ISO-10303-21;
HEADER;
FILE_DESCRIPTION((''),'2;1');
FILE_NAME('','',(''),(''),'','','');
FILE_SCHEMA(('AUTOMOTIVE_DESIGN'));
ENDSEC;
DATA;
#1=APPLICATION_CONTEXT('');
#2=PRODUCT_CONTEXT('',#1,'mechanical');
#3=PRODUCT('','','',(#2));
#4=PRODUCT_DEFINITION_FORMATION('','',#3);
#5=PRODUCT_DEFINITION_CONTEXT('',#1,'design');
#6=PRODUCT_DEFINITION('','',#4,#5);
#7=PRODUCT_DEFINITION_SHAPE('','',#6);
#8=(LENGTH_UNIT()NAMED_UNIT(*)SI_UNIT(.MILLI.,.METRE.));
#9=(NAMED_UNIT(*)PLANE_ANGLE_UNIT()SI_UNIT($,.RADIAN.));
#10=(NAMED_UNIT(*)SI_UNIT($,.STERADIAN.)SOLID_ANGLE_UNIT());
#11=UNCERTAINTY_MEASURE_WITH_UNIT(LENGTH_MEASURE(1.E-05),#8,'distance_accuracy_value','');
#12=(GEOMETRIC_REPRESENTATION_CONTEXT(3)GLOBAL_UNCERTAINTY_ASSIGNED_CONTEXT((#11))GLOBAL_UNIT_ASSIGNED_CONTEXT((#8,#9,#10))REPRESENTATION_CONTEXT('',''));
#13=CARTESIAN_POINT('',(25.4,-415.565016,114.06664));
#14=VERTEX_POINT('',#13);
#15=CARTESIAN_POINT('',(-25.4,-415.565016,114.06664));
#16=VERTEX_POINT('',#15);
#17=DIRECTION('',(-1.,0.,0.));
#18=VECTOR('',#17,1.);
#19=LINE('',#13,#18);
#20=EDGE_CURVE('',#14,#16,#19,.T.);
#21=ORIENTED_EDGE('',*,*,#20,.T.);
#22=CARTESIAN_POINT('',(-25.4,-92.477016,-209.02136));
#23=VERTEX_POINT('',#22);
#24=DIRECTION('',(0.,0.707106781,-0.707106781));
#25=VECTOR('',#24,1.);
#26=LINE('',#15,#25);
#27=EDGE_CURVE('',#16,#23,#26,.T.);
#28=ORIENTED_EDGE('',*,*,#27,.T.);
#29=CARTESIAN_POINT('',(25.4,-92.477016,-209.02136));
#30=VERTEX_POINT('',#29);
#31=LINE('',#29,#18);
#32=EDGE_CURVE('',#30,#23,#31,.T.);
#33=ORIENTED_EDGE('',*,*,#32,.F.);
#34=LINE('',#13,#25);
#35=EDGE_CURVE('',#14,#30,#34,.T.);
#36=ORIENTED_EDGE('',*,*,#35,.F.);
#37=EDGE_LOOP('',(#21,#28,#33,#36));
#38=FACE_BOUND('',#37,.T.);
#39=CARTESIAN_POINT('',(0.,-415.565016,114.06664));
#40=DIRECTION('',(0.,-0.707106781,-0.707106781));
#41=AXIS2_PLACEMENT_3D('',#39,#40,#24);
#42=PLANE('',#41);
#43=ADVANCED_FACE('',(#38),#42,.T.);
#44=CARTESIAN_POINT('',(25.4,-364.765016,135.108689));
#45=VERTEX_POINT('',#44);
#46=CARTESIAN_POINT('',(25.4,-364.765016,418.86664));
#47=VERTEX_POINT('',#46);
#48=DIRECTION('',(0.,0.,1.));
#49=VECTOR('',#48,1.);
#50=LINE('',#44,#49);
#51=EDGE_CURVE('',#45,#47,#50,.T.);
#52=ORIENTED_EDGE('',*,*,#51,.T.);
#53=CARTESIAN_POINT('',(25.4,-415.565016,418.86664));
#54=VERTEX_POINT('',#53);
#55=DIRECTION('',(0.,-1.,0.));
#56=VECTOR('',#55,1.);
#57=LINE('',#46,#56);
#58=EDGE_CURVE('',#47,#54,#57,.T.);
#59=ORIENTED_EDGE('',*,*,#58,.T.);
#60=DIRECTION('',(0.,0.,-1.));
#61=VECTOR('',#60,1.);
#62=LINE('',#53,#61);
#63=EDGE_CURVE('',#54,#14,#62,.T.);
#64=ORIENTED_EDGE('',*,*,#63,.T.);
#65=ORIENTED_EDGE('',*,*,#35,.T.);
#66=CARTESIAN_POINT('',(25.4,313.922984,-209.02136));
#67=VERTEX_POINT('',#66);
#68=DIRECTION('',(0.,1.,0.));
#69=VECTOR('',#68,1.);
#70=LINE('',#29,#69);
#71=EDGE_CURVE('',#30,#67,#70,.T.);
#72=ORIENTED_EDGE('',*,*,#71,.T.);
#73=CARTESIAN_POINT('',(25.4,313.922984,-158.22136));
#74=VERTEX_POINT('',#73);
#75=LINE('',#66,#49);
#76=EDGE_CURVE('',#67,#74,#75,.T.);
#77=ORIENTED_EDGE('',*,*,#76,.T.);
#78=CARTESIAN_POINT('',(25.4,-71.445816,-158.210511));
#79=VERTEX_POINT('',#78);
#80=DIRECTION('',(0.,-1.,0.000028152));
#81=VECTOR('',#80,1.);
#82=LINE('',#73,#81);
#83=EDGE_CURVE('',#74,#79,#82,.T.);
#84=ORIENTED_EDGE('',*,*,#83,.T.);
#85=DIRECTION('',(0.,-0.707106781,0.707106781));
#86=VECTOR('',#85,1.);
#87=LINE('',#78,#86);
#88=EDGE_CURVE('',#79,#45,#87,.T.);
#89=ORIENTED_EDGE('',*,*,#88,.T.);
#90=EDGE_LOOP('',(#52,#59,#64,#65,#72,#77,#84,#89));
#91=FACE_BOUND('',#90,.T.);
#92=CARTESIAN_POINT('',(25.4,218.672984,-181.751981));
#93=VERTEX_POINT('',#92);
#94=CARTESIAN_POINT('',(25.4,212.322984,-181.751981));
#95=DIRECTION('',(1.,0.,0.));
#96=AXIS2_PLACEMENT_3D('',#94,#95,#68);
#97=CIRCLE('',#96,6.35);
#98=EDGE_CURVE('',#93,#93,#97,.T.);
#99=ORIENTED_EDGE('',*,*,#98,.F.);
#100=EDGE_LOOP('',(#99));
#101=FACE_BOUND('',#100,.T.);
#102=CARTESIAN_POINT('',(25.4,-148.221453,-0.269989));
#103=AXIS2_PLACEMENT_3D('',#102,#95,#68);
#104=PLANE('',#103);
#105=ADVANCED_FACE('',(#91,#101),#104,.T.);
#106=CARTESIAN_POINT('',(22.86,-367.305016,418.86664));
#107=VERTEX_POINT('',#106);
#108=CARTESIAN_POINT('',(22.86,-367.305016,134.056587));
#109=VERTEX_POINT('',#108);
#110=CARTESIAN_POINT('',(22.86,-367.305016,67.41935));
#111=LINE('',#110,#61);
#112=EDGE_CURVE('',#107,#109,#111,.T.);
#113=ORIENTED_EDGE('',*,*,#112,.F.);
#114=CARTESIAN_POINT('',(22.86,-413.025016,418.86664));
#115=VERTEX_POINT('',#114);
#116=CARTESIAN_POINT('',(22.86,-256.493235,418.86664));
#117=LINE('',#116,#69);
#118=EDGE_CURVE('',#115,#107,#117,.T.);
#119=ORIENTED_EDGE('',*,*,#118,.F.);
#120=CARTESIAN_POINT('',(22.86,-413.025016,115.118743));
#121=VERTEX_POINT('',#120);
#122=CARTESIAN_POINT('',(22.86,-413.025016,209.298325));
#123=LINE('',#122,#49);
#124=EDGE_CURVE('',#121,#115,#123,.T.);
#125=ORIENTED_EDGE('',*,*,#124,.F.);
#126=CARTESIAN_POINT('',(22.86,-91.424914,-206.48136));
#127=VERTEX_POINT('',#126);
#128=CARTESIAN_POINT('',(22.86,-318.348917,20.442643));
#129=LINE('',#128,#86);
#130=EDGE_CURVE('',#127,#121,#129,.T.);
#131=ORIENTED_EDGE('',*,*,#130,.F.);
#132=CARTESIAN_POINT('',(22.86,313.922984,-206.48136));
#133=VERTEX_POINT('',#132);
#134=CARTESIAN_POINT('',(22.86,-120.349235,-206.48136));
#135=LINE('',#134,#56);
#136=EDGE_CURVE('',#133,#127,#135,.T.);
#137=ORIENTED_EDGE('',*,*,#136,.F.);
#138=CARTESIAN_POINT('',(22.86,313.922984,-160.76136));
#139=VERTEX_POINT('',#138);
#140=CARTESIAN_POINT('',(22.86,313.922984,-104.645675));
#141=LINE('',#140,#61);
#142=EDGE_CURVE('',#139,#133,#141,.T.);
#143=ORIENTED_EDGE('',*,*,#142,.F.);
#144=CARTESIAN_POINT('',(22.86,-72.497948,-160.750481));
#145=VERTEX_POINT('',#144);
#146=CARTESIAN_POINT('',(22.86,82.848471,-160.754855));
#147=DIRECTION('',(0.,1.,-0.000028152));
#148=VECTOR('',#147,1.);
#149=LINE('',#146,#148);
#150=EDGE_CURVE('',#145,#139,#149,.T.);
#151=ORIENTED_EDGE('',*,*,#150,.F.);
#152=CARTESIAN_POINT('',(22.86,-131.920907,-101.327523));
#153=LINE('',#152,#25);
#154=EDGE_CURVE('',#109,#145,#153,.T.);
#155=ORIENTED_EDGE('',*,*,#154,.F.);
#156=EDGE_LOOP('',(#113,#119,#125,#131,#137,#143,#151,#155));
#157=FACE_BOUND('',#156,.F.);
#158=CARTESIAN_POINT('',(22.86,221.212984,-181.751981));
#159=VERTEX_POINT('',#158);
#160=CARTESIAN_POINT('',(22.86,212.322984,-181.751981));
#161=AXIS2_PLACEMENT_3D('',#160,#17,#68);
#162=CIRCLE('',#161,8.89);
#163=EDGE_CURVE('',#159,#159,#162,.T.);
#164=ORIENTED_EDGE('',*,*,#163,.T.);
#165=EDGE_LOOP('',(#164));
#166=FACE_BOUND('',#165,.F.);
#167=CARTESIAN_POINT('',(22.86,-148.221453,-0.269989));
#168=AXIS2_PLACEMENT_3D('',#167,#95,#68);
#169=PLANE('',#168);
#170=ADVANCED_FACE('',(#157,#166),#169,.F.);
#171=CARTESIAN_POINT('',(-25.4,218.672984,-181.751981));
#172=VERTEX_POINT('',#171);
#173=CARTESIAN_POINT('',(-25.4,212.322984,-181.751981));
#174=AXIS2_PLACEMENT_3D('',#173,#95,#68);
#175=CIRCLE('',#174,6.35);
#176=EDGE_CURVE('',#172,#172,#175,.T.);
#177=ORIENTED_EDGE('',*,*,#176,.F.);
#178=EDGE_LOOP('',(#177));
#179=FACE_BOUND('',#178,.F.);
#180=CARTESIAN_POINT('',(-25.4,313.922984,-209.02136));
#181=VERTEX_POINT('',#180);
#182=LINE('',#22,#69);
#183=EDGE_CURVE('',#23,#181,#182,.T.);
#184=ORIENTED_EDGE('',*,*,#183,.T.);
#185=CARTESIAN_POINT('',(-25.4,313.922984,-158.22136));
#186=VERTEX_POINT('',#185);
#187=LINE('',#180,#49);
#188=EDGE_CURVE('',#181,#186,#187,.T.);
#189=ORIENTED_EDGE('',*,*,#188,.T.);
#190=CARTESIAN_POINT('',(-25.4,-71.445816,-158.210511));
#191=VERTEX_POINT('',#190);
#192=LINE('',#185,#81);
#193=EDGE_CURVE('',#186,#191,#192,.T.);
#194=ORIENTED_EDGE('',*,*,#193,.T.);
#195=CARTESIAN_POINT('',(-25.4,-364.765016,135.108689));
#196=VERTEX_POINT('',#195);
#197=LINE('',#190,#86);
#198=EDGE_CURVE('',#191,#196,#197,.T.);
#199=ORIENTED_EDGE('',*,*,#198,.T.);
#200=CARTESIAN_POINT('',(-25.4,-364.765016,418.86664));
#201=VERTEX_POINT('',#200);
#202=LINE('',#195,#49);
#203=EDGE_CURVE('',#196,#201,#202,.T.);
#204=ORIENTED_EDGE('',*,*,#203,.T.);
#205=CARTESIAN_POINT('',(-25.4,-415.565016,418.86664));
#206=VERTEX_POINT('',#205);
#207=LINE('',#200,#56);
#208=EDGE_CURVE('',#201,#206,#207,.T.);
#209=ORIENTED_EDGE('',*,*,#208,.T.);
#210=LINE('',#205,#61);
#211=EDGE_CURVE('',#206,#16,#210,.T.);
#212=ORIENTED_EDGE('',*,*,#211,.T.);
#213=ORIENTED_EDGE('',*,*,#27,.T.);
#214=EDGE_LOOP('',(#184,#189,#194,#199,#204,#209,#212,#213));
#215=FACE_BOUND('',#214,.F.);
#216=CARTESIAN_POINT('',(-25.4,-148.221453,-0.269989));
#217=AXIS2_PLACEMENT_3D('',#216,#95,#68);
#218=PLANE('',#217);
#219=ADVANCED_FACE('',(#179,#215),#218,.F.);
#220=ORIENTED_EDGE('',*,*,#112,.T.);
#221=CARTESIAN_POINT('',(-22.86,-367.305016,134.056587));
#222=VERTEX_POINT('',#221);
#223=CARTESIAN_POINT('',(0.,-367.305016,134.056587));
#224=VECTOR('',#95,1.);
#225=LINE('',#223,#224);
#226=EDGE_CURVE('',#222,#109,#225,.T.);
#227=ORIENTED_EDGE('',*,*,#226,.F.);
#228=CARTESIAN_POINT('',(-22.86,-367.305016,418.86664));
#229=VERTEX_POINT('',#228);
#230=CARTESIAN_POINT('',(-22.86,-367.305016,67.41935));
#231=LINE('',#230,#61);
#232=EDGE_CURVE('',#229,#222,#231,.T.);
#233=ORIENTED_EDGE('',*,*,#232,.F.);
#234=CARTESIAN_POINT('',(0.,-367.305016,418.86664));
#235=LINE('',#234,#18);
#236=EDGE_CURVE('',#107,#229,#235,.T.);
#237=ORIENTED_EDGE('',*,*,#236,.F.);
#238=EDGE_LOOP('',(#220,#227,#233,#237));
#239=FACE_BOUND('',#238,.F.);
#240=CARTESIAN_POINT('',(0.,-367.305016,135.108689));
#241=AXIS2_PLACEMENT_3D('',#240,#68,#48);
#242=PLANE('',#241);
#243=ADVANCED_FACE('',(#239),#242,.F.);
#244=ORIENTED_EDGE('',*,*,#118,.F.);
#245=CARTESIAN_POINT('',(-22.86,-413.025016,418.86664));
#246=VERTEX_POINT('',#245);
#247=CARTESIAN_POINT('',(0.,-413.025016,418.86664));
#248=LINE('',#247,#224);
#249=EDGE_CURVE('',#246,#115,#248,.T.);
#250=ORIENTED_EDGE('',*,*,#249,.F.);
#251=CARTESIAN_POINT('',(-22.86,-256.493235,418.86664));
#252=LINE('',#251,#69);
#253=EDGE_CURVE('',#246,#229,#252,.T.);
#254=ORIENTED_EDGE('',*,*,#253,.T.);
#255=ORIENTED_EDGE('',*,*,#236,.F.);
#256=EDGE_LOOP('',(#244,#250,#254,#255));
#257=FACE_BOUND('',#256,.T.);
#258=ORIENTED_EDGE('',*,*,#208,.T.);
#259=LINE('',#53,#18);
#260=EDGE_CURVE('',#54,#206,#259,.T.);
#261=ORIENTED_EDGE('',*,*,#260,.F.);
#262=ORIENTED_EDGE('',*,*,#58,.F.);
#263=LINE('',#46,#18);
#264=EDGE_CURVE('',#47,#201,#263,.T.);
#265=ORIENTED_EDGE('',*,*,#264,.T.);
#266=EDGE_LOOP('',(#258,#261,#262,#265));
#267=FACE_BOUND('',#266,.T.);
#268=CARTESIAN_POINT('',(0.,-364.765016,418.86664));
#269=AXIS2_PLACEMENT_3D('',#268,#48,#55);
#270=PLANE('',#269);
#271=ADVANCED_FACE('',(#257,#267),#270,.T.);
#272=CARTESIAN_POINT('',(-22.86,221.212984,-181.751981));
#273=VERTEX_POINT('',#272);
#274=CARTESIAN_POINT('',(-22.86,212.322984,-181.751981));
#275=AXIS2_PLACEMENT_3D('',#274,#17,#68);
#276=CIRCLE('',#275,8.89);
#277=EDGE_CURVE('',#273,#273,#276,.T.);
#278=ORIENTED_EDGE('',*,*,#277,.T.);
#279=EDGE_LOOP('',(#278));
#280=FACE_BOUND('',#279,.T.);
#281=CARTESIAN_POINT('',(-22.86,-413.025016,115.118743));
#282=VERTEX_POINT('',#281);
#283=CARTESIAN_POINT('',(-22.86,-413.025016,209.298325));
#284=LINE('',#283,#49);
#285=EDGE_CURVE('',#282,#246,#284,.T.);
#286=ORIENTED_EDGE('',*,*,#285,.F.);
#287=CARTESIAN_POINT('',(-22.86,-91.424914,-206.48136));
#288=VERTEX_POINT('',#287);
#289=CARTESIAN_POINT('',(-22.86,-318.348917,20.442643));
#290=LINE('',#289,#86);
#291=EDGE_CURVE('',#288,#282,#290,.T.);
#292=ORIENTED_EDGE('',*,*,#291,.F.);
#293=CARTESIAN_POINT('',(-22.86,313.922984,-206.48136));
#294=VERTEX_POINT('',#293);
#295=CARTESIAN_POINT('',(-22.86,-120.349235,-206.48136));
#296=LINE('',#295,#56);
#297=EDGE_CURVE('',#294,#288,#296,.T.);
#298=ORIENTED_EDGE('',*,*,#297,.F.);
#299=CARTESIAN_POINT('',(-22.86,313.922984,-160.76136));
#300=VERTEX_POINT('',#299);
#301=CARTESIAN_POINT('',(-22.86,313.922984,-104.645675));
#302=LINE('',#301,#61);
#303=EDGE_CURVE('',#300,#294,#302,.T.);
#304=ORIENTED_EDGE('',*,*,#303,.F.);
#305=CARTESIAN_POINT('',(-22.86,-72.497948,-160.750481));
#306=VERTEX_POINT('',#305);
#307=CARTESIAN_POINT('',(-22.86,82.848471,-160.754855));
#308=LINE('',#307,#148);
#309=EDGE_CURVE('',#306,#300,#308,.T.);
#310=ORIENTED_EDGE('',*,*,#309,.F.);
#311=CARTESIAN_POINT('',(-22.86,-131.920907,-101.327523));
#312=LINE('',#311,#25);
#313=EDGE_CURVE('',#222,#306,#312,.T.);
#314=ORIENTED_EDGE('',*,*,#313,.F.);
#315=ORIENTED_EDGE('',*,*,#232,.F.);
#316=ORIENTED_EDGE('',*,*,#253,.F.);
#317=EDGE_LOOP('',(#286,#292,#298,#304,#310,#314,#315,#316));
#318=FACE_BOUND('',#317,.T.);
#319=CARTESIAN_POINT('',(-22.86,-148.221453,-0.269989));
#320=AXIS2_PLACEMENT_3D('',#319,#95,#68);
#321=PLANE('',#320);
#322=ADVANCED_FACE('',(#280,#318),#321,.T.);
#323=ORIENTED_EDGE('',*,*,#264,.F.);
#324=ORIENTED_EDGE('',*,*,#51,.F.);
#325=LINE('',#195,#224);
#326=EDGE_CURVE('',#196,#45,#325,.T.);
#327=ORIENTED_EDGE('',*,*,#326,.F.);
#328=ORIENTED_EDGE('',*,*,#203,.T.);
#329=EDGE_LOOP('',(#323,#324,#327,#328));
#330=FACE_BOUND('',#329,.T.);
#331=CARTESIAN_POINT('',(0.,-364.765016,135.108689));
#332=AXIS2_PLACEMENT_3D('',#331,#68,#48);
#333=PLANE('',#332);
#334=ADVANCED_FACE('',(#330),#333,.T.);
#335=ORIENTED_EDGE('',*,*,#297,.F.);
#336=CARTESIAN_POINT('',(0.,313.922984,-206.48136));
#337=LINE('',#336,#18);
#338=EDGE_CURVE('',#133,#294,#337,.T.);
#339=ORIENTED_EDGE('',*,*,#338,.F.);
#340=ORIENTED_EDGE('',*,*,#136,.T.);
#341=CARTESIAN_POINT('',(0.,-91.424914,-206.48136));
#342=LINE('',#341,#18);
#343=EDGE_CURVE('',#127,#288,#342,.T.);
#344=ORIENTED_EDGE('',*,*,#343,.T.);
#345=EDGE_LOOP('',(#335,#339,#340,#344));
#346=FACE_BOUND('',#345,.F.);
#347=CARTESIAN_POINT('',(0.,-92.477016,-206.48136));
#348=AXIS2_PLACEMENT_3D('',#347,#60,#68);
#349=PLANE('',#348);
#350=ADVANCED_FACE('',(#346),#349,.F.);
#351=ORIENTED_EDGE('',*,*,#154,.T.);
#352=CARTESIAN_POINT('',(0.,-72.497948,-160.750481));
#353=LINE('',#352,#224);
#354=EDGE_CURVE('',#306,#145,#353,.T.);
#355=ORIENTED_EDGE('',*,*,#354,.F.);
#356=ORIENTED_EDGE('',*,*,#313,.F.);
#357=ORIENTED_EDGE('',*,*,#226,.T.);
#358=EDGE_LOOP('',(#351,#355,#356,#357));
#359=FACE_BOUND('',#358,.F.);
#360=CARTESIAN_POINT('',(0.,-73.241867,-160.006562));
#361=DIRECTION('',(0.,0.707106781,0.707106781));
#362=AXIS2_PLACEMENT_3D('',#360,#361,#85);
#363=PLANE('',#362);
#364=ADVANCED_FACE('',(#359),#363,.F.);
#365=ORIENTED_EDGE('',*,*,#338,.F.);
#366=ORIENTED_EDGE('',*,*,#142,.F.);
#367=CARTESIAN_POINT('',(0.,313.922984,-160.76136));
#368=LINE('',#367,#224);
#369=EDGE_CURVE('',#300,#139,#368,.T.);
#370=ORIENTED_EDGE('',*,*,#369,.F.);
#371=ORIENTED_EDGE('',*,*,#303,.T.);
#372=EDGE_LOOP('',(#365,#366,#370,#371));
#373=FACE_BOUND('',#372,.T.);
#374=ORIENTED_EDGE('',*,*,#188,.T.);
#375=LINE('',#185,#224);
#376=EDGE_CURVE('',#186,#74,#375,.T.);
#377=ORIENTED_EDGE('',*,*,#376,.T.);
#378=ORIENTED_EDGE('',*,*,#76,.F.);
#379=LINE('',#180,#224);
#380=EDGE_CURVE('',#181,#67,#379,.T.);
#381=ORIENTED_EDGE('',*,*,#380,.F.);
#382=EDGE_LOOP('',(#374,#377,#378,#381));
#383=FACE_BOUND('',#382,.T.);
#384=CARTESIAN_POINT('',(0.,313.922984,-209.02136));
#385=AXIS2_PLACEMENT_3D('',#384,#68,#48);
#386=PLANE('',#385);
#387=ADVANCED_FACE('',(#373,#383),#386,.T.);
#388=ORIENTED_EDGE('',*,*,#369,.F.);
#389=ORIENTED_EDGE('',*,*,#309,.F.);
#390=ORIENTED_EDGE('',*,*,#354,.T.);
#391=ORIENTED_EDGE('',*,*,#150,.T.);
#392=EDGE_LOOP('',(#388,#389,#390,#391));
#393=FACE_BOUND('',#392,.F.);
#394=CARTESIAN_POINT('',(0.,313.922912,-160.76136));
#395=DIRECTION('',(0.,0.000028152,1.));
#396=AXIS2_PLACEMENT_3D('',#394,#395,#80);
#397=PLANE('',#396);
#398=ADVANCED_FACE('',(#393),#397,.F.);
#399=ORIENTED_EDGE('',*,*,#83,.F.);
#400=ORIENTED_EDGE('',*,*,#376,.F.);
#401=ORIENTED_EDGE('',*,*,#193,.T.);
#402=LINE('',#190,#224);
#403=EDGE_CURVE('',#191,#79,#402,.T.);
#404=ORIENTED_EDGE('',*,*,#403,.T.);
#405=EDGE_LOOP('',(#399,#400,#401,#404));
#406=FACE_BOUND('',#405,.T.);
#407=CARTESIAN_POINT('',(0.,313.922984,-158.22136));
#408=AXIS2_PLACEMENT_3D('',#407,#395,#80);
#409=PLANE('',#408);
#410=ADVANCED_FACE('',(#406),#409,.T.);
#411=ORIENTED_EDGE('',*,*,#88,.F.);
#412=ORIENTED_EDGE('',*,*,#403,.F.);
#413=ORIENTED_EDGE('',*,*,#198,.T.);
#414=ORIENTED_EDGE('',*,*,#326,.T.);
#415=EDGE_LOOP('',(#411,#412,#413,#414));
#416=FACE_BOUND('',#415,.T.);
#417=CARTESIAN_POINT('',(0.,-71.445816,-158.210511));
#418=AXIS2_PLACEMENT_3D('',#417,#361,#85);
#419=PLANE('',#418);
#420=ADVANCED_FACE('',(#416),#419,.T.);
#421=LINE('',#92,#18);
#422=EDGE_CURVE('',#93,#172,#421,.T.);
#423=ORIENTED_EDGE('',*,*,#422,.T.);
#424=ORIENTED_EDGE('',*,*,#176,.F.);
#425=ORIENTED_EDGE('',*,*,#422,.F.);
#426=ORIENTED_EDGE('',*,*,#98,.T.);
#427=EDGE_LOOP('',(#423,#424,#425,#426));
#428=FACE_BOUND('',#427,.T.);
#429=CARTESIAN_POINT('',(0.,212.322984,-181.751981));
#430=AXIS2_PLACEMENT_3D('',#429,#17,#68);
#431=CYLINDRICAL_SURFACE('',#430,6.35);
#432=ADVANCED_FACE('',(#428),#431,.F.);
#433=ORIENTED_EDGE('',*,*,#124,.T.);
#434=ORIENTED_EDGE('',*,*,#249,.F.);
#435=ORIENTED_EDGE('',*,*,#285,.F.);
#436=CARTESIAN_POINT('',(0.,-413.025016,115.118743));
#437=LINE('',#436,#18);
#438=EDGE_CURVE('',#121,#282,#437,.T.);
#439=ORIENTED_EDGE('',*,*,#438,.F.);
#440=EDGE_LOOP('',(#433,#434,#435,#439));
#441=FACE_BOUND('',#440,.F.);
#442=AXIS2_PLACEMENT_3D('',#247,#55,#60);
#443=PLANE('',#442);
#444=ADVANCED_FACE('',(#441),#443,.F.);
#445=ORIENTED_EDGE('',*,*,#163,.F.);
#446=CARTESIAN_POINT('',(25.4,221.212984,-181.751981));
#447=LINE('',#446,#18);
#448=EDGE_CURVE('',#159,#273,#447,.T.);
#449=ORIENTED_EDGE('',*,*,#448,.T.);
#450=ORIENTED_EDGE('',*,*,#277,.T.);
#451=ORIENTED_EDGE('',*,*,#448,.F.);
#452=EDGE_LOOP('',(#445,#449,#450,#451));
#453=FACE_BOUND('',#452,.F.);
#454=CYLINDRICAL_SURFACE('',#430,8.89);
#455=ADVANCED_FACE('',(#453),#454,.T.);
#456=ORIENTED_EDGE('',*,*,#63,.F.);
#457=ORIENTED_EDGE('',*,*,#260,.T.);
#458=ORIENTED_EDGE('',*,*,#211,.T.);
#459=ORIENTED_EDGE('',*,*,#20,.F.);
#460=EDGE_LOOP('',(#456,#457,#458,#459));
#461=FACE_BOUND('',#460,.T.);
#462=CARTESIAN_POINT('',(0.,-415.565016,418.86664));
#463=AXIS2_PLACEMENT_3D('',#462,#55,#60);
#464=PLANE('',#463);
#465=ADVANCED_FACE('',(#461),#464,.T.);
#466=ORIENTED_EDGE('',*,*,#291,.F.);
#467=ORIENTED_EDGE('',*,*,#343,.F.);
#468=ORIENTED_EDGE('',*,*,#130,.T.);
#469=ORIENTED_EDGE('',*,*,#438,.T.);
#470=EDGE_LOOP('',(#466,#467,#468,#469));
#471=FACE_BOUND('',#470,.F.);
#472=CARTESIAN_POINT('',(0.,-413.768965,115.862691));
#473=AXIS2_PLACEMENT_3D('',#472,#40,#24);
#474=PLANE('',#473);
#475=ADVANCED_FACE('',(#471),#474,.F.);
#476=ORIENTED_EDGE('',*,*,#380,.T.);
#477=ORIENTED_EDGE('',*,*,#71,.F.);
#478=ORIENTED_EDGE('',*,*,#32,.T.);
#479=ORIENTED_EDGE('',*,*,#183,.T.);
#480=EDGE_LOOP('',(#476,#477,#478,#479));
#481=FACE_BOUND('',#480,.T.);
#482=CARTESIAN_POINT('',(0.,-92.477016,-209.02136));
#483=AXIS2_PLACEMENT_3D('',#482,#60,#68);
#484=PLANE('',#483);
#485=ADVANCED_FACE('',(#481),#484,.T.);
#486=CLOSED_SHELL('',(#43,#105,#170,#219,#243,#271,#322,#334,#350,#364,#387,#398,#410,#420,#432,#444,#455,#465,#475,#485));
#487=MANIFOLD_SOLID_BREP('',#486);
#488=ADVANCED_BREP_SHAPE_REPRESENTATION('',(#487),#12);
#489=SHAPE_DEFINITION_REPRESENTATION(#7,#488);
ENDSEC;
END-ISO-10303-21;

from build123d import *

# Parameters (mm, degrees)
F0_R     = 6.35
F1_DEPTH = 25.4
F2_T     = -2.54


with BuildPart() as f1:
    # F0 (on Right) → F1 (new body, symmetric)
    with BuildSketch(Plane.YZ):
        Polygon((-92.477016151, -209.0213598659), (313.922983849, -209.0213598659), (313.922983849, -158.2213598659), (-71.4458159982, -158.21051105), (-364.765016151, 135.1086891027), (-364.765016151, 418.8666401341), (-415.565016151, 418.8666401341), (-415.565016151, 114.0666401341), align=None)
        with Locations((212.322983849, -181.7519813776)):
            Circle(F0_R, mode=Mode.SUBTRACT)
    extrude(amount=F1_DEPTH, both=True)

    # F2
    f2_openings = [f1.faces().sort_by_distance(p)[0] for p in [
        (0, -390.165016, 418.86664),
        (0, 313.922984, -183.62136),
    ]]
    offset(amount=F2_T, openings=f2_openings, kind=Kind.INTERSECTION)


solid = f1.part
